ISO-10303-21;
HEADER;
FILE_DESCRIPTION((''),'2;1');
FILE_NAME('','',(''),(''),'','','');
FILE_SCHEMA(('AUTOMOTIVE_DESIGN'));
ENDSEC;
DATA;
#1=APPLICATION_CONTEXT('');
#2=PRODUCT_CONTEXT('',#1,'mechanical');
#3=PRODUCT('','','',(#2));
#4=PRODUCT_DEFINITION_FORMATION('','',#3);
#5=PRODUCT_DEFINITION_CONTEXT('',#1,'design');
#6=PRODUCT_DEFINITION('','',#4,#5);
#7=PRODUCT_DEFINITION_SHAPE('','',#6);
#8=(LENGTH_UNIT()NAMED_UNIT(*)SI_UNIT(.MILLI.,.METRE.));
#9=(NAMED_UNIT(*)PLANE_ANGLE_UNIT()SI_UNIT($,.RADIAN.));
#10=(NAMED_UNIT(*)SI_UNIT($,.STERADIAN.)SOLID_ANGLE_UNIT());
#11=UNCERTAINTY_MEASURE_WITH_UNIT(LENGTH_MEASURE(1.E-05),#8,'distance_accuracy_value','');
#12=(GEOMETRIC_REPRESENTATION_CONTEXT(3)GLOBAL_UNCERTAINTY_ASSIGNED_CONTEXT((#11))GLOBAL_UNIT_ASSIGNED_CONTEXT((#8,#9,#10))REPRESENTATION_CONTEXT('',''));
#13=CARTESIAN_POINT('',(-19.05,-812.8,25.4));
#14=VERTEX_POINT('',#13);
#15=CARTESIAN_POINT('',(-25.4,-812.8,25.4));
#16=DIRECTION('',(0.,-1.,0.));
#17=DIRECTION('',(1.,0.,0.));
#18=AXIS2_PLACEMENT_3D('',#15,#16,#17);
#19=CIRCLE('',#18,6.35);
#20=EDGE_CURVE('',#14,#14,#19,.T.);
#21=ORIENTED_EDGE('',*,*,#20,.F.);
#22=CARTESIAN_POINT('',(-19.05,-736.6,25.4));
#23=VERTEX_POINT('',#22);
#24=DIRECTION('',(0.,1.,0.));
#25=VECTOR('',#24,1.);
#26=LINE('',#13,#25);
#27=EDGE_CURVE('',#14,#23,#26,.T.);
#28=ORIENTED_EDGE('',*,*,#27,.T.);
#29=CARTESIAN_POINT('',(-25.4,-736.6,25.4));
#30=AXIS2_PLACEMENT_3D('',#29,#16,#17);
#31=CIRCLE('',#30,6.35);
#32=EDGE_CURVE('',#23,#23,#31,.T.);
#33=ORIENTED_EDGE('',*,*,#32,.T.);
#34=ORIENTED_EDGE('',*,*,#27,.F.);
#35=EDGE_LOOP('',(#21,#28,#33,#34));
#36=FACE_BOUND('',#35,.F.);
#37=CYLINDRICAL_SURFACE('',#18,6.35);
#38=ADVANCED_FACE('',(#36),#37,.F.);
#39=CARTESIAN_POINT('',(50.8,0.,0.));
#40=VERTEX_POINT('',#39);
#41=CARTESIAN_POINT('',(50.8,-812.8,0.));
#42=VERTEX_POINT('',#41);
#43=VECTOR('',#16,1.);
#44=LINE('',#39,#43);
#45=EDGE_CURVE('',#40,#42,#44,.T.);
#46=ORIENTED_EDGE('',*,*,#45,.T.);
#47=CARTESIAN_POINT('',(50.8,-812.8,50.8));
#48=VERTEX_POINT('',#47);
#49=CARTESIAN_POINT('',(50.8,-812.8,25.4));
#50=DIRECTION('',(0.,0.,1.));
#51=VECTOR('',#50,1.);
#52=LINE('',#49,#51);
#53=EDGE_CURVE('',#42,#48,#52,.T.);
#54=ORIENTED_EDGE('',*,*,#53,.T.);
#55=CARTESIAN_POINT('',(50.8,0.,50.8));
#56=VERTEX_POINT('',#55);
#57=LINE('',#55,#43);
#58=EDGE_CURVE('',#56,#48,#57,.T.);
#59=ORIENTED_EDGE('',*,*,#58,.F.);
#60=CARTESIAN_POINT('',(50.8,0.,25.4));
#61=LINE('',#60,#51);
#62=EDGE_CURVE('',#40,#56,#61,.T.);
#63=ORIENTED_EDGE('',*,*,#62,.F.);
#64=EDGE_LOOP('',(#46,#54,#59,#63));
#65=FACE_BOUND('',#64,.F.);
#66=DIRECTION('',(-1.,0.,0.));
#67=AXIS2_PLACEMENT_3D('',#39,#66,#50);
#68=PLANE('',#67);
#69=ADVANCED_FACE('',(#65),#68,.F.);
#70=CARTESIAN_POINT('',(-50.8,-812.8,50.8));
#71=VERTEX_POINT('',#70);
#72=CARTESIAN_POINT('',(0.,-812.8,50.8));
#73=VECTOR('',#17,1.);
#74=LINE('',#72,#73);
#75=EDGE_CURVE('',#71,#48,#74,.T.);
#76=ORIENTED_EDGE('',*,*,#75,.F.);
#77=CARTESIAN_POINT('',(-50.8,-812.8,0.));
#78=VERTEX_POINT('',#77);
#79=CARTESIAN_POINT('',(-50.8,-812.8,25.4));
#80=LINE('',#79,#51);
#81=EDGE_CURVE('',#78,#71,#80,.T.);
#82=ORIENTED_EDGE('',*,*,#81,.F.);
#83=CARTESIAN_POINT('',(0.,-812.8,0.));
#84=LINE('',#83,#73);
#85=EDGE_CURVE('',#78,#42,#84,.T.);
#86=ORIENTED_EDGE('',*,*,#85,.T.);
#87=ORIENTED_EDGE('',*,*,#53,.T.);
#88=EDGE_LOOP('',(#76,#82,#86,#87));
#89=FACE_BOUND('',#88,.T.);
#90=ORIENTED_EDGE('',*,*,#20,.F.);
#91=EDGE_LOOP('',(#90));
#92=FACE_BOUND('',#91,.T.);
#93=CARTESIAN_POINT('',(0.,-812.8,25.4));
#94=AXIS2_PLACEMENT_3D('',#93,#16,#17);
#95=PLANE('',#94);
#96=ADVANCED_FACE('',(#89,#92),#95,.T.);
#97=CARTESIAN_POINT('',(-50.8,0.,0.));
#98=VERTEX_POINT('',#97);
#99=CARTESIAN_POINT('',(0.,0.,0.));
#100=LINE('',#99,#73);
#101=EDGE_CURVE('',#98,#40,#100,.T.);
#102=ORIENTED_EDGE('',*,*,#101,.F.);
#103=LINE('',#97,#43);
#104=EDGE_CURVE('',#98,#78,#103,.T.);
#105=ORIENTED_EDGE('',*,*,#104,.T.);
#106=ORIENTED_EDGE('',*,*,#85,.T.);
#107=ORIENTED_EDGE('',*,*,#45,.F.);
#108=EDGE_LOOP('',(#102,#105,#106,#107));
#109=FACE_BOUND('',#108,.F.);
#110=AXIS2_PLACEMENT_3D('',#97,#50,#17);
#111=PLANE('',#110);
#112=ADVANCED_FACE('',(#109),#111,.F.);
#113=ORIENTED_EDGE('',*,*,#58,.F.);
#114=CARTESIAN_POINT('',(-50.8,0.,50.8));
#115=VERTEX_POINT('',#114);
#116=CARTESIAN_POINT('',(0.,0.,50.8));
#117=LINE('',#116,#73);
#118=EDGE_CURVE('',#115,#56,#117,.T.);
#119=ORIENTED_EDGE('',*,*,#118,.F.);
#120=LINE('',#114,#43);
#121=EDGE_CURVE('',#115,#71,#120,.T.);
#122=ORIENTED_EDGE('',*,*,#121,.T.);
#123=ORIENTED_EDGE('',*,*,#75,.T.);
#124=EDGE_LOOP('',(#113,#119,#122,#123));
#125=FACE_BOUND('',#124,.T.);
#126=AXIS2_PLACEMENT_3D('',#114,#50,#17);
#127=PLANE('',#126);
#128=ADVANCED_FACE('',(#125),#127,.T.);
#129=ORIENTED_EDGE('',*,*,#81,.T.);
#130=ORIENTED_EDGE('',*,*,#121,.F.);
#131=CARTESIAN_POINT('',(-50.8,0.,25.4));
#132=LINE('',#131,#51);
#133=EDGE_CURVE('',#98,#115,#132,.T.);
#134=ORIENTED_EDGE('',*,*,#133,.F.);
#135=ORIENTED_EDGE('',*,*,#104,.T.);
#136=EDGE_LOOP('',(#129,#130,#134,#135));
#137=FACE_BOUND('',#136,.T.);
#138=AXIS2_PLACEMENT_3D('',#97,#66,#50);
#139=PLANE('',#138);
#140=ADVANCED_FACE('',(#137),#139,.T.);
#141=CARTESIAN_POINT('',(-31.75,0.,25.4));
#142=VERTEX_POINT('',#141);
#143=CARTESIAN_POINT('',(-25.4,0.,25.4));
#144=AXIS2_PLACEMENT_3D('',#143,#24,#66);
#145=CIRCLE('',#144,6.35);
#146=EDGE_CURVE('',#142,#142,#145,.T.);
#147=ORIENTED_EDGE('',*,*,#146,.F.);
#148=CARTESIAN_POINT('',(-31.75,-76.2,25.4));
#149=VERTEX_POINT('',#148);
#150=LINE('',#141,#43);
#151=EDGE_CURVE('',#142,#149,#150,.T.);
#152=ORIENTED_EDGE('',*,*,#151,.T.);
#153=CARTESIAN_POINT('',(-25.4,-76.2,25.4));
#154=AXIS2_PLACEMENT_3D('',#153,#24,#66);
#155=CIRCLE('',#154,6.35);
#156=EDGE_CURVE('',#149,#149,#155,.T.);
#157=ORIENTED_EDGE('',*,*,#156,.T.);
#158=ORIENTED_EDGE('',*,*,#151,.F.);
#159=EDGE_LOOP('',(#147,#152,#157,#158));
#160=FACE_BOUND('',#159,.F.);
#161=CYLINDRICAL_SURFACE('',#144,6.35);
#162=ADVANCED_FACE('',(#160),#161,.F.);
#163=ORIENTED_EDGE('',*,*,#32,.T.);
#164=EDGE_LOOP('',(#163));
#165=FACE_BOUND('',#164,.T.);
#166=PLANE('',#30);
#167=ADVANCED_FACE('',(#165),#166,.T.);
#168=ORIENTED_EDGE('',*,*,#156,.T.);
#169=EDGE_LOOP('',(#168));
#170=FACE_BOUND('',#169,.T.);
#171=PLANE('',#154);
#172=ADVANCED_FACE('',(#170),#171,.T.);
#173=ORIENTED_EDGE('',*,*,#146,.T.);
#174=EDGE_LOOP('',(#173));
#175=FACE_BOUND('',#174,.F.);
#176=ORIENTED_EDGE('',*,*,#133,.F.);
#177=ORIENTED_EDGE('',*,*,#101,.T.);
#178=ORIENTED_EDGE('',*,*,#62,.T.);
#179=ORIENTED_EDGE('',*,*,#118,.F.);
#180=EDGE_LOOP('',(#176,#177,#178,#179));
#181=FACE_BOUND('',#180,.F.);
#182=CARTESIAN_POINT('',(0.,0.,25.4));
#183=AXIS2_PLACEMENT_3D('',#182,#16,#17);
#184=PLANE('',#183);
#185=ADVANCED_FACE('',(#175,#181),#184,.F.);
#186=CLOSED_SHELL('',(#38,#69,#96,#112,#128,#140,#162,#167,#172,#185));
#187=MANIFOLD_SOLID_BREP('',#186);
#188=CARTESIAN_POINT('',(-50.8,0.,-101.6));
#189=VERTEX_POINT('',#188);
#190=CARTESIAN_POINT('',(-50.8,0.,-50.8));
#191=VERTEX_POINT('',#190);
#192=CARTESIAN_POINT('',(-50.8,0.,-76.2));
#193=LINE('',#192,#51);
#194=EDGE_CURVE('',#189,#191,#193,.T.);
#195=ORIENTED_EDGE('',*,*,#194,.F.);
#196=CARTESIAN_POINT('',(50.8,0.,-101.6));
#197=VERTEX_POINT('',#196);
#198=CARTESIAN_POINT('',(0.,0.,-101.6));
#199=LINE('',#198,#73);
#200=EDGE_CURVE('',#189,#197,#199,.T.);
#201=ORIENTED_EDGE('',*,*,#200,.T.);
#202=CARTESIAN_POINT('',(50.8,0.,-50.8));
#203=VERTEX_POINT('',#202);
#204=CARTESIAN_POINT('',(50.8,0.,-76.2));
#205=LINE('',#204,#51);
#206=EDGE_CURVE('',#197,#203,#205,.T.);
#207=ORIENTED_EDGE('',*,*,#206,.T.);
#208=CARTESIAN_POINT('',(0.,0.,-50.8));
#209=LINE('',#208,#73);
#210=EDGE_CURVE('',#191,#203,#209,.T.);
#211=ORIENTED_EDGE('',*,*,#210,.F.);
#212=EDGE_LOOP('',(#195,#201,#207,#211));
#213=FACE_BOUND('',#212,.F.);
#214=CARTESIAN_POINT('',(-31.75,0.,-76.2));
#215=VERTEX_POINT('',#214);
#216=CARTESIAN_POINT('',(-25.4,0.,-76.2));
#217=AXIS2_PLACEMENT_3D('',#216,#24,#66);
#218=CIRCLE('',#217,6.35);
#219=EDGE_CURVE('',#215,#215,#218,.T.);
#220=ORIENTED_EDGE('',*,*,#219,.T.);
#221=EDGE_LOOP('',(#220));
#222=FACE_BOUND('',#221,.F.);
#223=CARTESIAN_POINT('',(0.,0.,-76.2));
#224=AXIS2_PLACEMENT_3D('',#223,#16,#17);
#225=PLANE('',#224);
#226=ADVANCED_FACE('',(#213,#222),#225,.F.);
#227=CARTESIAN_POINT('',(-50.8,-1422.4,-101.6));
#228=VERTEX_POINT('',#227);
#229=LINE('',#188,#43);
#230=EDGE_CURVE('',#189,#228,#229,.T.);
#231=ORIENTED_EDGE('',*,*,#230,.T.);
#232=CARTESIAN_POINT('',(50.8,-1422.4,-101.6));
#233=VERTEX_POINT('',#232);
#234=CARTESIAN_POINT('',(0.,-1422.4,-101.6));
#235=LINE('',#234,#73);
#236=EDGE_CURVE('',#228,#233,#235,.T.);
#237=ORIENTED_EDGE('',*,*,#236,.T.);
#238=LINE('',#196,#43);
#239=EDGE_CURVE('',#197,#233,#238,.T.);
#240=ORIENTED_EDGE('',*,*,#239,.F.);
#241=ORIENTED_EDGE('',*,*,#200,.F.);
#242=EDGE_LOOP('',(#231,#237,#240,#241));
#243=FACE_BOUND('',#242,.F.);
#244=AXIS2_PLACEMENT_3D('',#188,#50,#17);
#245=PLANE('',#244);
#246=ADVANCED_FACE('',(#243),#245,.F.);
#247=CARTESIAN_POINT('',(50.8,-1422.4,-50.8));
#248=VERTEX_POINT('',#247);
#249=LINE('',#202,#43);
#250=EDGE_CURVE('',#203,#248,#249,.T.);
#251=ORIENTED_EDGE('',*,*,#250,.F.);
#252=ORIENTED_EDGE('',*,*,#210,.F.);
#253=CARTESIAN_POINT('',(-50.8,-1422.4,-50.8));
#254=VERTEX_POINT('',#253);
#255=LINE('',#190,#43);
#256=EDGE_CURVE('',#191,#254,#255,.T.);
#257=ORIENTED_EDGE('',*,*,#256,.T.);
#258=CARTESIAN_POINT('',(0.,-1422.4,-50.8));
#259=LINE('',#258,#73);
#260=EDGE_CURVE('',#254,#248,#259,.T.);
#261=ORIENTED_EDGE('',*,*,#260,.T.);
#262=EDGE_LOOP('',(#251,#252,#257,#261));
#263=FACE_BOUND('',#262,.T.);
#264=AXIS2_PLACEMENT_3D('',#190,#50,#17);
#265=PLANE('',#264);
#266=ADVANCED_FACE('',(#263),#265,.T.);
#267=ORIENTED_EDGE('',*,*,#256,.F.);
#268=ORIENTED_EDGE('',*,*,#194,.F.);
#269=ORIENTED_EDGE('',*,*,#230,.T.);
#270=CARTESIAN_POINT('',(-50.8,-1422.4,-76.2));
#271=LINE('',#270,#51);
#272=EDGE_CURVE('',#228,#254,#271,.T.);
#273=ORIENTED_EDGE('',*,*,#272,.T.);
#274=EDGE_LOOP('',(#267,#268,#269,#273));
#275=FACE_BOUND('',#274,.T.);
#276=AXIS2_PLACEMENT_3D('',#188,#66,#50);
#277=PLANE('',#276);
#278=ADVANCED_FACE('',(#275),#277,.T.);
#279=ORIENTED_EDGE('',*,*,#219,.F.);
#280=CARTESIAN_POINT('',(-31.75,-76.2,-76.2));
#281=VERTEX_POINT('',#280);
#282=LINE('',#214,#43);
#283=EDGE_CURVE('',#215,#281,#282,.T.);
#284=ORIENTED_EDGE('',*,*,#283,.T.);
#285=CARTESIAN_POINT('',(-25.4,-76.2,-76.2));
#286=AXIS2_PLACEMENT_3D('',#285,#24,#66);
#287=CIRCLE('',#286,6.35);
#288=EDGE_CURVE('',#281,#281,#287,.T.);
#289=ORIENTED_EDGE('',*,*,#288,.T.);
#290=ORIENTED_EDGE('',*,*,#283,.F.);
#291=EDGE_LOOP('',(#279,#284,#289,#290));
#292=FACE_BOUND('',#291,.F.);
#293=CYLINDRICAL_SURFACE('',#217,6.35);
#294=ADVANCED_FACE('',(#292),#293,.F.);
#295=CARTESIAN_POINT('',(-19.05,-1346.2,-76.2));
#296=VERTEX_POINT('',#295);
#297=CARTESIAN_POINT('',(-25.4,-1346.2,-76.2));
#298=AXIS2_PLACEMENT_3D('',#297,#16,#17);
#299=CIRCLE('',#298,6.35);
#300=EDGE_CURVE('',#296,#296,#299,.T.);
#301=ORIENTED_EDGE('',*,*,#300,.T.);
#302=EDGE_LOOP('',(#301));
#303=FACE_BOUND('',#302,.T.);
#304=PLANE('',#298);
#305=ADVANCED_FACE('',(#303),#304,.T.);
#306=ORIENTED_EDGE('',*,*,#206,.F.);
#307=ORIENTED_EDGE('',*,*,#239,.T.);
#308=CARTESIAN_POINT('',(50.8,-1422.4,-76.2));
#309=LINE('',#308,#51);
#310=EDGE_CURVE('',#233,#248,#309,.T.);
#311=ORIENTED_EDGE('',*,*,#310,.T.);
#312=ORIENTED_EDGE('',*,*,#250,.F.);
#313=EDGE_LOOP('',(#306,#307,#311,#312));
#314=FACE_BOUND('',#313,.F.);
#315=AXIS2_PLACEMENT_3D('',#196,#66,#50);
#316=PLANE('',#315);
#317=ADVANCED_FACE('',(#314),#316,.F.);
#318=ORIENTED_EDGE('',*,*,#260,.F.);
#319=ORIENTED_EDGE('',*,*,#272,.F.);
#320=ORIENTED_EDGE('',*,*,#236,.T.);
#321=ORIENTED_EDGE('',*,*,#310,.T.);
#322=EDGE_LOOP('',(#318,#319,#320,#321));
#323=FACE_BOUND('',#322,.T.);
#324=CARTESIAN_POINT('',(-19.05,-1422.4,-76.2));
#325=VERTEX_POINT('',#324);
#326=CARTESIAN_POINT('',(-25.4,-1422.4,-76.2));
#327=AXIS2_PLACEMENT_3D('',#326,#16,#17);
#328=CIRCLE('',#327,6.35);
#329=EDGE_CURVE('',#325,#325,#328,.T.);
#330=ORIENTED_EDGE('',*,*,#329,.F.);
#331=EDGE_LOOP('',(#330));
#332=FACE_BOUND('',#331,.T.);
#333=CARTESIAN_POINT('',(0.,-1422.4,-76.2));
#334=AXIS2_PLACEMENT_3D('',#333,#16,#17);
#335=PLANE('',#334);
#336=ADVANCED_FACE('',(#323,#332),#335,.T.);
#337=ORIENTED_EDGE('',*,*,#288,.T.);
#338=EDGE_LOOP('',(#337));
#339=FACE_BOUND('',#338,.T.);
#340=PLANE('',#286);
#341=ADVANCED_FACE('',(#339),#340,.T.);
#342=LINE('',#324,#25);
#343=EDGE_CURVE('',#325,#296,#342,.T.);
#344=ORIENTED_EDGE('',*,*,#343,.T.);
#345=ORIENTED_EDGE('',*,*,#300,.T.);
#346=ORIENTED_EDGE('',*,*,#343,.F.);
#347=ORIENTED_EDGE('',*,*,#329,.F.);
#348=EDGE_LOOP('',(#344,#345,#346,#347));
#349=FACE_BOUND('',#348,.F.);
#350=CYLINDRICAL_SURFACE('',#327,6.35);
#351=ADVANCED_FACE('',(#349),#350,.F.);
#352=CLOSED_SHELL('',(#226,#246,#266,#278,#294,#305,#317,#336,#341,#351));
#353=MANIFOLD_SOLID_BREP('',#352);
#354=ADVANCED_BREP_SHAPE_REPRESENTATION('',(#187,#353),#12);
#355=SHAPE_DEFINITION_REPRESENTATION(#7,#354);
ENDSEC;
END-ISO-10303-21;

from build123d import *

# Parameters (mm, degrees)
F0_W      = 101.6
F0_H      = 50.8
F1_DEPTH  = 812.8
F2_W      = 101.6
F2_H      = 50.8
F3_DEPTH  = 1422.4
F4_R      = 6.35
F5_DEPTH  = 76.2
F6_R      = 6.35
F7_DEPTH  = 76.2
F8_R      = 6.35
F9_DEPTH  = 76.2
F10_R     = 6.35
F11_DEPTH = 76.2


with BuildPart() as f1:
    # F0 (on Front) → F1 (new body)
    with BuildSketch(Plane.XZ):
        with Locations((0, 25.4)):
            Rectangle(F0_W, F0_H)
    extrude(amount=F1_DEPTH)

    # F4 (on face) → F5 (cut)
    with BuildSketch(Plane.XZ.offset(812.8)):
        with Locations((-25.4, 25.4)):
            Circle(F4_R)
    extrude(amount=-F5_DEPTH, mode=Mode.SUBTRACT)

    # F6 (on face) → F7 (cut)
    with BuildSketch(Plane(origin=(0, 0, 0), x_dir=(-1, 0, 0), z_dir=(0, 1, 0))):
        with Locations((25.4, 25.4)):
            Circle(F6_R)
    extrude(amount=-F7_DEPTH, mode=Mode.SUBTRACT)


with BuildPart() as f3:
    # F2 (on Front) → F3 (new body)
    with BuildSketch(Plane.XZ):
        with Locations((0, -76.2)):
            Rectangle(F2_W, F2_H)
    extrude(amount=F3_DEPTH)

    # F8 (on face) → F9 (cut)
    with BuildSketch(Plane.XZ.offset(1422.4)):
        with Locations((-25.4, -76.2)):
            Circle(F8_R)
    extrude(amount=-F9_DEPTH, mode=Mode.SUBTRACT)

    # F10 (on face) → F11 (cut)
    with BuildSketch(Plane(origin=(0, 0, 0), x_dir=(-1, 0, 0), z_dir=(0, 1, 0))):
        with Locations((25.4, -76.2)):
            Circle(F10_R)
    extrude(amount=-F11_DEPTH, mode=Mode.SUBTRACT)


solid = Compound([f1.part, f3.part])
